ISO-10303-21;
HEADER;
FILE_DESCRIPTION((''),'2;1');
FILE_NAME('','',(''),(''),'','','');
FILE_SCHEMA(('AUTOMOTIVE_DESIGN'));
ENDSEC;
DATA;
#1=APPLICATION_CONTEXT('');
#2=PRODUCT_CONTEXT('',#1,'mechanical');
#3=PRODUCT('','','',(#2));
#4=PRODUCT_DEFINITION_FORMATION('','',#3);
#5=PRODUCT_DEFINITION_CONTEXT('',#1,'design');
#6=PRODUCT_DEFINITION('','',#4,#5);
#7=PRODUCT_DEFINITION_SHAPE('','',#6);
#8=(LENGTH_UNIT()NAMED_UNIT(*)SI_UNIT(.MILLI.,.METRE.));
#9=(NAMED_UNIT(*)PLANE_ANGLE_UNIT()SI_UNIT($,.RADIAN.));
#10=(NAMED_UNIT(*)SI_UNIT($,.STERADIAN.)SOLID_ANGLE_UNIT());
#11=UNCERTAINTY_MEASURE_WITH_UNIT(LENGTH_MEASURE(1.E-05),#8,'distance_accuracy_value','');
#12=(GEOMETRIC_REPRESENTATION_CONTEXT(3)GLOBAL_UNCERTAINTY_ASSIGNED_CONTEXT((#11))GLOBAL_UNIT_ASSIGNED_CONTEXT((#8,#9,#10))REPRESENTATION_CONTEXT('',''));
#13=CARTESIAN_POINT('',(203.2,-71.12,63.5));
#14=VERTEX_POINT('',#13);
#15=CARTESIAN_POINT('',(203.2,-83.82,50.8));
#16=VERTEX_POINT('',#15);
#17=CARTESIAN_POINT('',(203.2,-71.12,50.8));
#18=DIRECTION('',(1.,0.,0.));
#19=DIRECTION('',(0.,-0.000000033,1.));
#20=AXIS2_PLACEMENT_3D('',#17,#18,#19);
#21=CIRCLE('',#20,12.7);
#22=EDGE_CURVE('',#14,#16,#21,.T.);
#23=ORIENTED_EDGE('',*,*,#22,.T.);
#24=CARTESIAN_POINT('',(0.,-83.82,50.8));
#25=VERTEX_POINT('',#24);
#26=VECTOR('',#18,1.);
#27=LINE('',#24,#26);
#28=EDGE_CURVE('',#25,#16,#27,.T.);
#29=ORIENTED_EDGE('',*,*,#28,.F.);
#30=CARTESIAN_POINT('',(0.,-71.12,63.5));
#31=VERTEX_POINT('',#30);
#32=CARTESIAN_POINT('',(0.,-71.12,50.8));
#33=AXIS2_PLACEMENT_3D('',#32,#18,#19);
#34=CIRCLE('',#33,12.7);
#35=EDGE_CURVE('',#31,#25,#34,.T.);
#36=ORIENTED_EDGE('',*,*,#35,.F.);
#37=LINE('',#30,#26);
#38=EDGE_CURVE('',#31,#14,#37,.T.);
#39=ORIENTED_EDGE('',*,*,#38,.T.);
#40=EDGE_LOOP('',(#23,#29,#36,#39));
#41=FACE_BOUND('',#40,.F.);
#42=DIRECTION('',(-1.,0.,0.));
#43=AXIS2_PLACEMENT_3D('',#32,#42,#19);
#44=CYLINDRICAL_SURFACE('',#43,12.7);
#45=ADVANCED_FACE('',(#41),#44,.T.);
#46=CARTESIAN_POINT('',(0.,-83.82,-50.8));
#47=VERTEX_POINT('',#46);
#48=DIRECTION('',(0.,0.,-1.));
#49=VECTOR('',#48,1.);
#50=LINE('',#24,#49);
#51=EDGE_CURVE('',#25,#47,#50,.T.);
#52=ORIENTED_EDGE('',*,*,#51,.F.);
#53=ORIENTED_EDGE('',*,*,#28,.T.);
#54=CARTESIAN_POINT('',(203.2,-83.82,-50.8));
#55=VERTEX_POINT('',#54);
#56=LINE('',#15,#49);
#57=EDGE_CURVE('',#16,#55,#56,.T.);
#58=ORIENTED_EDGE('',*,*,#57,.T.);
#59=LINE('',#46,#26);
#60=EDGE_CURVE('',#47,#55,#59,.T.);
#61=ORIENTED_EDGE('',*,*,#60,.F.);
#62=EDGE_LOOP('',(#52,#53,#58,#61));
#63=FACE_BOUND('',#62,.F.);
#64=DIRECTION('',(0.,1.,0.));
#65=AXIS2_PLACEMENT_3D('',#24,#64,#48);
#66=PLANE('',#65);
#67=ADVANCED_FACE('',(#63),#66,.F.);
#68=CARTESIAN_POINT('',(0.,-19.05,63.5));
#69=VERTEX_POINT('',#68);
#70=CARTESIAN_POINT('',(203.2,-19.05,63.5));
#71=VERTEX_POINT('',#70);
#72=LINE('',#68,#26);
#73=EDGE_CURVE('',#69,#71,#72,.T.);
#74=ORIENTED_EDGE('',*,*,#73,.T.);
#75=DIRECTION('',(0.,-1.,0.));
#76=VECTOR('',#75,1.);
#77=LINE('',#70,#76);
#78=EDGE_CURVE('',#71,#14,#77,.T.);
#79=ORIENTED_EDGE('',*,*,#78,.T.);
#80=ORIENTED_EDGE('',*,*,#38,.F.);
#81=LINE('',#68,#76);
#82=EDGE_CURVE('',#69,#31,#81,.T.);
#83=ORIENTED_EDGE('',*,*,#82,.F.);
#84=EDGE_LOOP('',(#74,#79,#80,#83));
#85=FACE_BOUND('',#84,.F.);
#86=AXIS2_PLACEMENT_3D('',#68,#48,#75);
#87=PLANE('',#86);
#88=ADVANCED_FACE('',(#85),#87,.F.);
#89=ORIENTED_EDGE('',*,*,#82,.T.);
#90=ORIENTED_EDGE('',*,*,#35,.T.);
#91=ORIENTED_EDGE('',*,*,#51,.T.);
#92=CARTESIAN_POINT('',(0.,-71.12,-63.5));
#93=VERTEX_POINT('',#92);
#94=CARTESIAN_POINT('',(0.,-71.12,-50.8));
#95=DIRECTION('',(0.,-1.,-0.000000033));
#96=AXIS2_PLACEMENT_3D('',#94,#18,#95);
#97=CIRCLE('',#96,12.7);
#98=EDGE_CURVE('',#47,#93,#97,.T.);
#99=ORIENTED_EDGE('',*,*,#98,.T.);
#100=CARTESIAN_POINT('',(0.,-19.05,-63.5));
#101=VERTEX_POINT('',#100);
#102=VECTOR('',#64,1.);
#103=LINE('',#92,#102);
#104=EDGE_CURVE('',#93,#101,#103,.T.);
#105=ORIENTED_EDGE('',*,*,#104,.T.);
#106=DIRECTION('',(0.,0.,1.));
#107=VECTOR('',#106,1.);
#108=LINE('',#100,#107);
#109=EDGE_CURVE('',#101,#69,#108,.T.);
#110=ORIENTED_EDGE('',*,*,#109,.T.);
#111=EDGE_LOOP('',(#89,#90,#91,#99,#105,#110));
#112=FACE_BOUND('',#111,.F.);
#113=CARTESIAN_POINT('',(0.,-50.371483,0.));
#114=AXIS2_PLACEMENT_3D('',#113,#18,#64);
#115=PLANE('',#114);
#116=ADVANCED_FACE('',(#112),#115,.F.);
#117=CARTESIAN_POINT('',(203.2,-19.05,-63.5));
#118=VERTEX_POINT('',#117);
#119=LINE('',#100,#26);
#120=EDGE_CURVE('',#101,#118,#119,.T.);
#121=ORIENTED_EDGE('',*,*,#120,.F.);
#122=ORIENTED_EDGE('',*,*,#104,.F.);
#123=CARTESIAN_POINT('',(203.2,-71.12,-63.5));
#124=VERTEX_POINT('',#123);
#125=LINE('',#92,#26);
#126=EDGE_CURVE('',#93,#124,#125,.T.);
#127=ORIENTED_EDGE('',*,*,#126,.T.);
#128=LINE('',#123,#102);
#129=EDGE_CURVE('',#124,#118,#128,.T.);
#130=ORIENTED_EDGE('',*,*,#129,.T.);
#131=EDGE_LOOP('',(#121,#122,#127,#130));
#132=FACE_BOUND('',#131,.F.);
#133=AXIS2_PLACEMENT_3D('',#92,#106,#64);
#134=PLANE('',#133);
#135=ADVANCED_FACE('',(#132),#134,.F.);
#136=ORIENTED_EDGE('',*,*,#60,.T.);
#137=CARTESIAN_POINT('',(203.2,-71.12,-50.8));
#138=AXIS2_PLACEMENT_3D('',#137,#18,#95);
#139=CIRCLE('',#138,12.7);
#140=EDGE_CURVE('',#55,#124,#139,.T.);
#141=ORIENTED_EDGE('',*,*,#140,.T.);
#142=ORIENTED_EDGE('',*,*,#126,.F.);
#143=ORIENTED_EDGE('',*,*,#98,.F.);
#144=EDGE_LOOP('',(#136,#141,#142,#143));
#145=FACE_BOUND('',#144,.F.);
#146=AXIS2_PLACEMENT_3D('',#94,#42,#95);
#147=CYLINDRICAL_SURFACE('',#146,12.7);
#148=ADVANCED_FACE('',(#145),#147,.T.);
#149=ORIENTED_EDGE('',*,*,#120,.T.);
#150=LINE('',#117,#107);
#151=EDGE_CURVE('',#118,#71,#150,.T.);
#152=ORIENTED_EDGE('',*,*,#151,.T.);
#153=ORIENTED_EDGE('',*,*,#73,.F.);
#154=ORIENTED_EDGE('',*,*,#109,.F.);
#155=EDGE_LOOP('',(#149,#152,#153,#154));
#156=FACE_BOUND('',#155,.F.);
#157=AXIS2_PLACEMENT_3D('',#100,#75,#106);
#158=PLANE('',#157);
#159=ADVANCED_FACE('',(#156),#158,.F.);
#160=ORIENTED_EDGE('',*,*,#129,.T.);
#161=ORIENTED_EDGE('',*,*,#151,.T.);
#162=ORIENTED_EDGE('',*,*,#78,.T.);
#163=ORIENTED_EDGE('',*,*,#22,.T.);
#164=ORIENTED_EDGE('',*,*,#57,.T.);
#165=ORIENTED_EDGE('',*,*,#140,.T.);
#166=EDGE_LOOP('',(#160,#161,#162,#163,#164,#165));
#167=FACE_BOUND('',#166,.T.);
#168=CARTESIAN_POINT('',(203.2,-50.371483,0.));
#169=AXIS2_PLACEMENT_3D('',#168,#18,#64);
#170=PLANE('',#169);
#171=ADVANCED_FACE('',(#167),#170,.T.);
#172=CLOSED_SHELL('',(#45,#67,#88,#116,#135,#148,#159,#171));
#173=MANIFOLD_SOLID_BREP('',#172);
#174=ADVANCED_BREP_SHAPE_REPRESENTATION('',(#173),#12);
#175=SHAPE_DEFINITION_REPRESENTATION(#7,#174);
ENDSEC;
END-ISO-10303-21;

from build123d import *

# Parameters (mm, degrees)
F1_DEPTH = 203.2


with BuildPart() as f1:
    # F0 (on Right) → F1 (new body)
    with BuildSketch(Plane.YZ):
        with BuildLine():
            Line((-19.05, -63.5), (-19.05, 63.5))
            Line((-19.05, 63.5), (-71.12, 63.5))
            ThreePointArc((-71.12, 63.5), (-80.100256, 59.780256), (-83.82, 50.8))
            Line((-83.82, 50.8), (-83.82, -50.8))
            ThreePointArc((-83.82, -50.8), (-80.100256, -59.780256), (-71.12, -63.5))
            Line((-71.12, -63.5), (-19.05, -63.5))
        make_face()
    extrude(amount=F1_DEPTH)


solid = f1.part
